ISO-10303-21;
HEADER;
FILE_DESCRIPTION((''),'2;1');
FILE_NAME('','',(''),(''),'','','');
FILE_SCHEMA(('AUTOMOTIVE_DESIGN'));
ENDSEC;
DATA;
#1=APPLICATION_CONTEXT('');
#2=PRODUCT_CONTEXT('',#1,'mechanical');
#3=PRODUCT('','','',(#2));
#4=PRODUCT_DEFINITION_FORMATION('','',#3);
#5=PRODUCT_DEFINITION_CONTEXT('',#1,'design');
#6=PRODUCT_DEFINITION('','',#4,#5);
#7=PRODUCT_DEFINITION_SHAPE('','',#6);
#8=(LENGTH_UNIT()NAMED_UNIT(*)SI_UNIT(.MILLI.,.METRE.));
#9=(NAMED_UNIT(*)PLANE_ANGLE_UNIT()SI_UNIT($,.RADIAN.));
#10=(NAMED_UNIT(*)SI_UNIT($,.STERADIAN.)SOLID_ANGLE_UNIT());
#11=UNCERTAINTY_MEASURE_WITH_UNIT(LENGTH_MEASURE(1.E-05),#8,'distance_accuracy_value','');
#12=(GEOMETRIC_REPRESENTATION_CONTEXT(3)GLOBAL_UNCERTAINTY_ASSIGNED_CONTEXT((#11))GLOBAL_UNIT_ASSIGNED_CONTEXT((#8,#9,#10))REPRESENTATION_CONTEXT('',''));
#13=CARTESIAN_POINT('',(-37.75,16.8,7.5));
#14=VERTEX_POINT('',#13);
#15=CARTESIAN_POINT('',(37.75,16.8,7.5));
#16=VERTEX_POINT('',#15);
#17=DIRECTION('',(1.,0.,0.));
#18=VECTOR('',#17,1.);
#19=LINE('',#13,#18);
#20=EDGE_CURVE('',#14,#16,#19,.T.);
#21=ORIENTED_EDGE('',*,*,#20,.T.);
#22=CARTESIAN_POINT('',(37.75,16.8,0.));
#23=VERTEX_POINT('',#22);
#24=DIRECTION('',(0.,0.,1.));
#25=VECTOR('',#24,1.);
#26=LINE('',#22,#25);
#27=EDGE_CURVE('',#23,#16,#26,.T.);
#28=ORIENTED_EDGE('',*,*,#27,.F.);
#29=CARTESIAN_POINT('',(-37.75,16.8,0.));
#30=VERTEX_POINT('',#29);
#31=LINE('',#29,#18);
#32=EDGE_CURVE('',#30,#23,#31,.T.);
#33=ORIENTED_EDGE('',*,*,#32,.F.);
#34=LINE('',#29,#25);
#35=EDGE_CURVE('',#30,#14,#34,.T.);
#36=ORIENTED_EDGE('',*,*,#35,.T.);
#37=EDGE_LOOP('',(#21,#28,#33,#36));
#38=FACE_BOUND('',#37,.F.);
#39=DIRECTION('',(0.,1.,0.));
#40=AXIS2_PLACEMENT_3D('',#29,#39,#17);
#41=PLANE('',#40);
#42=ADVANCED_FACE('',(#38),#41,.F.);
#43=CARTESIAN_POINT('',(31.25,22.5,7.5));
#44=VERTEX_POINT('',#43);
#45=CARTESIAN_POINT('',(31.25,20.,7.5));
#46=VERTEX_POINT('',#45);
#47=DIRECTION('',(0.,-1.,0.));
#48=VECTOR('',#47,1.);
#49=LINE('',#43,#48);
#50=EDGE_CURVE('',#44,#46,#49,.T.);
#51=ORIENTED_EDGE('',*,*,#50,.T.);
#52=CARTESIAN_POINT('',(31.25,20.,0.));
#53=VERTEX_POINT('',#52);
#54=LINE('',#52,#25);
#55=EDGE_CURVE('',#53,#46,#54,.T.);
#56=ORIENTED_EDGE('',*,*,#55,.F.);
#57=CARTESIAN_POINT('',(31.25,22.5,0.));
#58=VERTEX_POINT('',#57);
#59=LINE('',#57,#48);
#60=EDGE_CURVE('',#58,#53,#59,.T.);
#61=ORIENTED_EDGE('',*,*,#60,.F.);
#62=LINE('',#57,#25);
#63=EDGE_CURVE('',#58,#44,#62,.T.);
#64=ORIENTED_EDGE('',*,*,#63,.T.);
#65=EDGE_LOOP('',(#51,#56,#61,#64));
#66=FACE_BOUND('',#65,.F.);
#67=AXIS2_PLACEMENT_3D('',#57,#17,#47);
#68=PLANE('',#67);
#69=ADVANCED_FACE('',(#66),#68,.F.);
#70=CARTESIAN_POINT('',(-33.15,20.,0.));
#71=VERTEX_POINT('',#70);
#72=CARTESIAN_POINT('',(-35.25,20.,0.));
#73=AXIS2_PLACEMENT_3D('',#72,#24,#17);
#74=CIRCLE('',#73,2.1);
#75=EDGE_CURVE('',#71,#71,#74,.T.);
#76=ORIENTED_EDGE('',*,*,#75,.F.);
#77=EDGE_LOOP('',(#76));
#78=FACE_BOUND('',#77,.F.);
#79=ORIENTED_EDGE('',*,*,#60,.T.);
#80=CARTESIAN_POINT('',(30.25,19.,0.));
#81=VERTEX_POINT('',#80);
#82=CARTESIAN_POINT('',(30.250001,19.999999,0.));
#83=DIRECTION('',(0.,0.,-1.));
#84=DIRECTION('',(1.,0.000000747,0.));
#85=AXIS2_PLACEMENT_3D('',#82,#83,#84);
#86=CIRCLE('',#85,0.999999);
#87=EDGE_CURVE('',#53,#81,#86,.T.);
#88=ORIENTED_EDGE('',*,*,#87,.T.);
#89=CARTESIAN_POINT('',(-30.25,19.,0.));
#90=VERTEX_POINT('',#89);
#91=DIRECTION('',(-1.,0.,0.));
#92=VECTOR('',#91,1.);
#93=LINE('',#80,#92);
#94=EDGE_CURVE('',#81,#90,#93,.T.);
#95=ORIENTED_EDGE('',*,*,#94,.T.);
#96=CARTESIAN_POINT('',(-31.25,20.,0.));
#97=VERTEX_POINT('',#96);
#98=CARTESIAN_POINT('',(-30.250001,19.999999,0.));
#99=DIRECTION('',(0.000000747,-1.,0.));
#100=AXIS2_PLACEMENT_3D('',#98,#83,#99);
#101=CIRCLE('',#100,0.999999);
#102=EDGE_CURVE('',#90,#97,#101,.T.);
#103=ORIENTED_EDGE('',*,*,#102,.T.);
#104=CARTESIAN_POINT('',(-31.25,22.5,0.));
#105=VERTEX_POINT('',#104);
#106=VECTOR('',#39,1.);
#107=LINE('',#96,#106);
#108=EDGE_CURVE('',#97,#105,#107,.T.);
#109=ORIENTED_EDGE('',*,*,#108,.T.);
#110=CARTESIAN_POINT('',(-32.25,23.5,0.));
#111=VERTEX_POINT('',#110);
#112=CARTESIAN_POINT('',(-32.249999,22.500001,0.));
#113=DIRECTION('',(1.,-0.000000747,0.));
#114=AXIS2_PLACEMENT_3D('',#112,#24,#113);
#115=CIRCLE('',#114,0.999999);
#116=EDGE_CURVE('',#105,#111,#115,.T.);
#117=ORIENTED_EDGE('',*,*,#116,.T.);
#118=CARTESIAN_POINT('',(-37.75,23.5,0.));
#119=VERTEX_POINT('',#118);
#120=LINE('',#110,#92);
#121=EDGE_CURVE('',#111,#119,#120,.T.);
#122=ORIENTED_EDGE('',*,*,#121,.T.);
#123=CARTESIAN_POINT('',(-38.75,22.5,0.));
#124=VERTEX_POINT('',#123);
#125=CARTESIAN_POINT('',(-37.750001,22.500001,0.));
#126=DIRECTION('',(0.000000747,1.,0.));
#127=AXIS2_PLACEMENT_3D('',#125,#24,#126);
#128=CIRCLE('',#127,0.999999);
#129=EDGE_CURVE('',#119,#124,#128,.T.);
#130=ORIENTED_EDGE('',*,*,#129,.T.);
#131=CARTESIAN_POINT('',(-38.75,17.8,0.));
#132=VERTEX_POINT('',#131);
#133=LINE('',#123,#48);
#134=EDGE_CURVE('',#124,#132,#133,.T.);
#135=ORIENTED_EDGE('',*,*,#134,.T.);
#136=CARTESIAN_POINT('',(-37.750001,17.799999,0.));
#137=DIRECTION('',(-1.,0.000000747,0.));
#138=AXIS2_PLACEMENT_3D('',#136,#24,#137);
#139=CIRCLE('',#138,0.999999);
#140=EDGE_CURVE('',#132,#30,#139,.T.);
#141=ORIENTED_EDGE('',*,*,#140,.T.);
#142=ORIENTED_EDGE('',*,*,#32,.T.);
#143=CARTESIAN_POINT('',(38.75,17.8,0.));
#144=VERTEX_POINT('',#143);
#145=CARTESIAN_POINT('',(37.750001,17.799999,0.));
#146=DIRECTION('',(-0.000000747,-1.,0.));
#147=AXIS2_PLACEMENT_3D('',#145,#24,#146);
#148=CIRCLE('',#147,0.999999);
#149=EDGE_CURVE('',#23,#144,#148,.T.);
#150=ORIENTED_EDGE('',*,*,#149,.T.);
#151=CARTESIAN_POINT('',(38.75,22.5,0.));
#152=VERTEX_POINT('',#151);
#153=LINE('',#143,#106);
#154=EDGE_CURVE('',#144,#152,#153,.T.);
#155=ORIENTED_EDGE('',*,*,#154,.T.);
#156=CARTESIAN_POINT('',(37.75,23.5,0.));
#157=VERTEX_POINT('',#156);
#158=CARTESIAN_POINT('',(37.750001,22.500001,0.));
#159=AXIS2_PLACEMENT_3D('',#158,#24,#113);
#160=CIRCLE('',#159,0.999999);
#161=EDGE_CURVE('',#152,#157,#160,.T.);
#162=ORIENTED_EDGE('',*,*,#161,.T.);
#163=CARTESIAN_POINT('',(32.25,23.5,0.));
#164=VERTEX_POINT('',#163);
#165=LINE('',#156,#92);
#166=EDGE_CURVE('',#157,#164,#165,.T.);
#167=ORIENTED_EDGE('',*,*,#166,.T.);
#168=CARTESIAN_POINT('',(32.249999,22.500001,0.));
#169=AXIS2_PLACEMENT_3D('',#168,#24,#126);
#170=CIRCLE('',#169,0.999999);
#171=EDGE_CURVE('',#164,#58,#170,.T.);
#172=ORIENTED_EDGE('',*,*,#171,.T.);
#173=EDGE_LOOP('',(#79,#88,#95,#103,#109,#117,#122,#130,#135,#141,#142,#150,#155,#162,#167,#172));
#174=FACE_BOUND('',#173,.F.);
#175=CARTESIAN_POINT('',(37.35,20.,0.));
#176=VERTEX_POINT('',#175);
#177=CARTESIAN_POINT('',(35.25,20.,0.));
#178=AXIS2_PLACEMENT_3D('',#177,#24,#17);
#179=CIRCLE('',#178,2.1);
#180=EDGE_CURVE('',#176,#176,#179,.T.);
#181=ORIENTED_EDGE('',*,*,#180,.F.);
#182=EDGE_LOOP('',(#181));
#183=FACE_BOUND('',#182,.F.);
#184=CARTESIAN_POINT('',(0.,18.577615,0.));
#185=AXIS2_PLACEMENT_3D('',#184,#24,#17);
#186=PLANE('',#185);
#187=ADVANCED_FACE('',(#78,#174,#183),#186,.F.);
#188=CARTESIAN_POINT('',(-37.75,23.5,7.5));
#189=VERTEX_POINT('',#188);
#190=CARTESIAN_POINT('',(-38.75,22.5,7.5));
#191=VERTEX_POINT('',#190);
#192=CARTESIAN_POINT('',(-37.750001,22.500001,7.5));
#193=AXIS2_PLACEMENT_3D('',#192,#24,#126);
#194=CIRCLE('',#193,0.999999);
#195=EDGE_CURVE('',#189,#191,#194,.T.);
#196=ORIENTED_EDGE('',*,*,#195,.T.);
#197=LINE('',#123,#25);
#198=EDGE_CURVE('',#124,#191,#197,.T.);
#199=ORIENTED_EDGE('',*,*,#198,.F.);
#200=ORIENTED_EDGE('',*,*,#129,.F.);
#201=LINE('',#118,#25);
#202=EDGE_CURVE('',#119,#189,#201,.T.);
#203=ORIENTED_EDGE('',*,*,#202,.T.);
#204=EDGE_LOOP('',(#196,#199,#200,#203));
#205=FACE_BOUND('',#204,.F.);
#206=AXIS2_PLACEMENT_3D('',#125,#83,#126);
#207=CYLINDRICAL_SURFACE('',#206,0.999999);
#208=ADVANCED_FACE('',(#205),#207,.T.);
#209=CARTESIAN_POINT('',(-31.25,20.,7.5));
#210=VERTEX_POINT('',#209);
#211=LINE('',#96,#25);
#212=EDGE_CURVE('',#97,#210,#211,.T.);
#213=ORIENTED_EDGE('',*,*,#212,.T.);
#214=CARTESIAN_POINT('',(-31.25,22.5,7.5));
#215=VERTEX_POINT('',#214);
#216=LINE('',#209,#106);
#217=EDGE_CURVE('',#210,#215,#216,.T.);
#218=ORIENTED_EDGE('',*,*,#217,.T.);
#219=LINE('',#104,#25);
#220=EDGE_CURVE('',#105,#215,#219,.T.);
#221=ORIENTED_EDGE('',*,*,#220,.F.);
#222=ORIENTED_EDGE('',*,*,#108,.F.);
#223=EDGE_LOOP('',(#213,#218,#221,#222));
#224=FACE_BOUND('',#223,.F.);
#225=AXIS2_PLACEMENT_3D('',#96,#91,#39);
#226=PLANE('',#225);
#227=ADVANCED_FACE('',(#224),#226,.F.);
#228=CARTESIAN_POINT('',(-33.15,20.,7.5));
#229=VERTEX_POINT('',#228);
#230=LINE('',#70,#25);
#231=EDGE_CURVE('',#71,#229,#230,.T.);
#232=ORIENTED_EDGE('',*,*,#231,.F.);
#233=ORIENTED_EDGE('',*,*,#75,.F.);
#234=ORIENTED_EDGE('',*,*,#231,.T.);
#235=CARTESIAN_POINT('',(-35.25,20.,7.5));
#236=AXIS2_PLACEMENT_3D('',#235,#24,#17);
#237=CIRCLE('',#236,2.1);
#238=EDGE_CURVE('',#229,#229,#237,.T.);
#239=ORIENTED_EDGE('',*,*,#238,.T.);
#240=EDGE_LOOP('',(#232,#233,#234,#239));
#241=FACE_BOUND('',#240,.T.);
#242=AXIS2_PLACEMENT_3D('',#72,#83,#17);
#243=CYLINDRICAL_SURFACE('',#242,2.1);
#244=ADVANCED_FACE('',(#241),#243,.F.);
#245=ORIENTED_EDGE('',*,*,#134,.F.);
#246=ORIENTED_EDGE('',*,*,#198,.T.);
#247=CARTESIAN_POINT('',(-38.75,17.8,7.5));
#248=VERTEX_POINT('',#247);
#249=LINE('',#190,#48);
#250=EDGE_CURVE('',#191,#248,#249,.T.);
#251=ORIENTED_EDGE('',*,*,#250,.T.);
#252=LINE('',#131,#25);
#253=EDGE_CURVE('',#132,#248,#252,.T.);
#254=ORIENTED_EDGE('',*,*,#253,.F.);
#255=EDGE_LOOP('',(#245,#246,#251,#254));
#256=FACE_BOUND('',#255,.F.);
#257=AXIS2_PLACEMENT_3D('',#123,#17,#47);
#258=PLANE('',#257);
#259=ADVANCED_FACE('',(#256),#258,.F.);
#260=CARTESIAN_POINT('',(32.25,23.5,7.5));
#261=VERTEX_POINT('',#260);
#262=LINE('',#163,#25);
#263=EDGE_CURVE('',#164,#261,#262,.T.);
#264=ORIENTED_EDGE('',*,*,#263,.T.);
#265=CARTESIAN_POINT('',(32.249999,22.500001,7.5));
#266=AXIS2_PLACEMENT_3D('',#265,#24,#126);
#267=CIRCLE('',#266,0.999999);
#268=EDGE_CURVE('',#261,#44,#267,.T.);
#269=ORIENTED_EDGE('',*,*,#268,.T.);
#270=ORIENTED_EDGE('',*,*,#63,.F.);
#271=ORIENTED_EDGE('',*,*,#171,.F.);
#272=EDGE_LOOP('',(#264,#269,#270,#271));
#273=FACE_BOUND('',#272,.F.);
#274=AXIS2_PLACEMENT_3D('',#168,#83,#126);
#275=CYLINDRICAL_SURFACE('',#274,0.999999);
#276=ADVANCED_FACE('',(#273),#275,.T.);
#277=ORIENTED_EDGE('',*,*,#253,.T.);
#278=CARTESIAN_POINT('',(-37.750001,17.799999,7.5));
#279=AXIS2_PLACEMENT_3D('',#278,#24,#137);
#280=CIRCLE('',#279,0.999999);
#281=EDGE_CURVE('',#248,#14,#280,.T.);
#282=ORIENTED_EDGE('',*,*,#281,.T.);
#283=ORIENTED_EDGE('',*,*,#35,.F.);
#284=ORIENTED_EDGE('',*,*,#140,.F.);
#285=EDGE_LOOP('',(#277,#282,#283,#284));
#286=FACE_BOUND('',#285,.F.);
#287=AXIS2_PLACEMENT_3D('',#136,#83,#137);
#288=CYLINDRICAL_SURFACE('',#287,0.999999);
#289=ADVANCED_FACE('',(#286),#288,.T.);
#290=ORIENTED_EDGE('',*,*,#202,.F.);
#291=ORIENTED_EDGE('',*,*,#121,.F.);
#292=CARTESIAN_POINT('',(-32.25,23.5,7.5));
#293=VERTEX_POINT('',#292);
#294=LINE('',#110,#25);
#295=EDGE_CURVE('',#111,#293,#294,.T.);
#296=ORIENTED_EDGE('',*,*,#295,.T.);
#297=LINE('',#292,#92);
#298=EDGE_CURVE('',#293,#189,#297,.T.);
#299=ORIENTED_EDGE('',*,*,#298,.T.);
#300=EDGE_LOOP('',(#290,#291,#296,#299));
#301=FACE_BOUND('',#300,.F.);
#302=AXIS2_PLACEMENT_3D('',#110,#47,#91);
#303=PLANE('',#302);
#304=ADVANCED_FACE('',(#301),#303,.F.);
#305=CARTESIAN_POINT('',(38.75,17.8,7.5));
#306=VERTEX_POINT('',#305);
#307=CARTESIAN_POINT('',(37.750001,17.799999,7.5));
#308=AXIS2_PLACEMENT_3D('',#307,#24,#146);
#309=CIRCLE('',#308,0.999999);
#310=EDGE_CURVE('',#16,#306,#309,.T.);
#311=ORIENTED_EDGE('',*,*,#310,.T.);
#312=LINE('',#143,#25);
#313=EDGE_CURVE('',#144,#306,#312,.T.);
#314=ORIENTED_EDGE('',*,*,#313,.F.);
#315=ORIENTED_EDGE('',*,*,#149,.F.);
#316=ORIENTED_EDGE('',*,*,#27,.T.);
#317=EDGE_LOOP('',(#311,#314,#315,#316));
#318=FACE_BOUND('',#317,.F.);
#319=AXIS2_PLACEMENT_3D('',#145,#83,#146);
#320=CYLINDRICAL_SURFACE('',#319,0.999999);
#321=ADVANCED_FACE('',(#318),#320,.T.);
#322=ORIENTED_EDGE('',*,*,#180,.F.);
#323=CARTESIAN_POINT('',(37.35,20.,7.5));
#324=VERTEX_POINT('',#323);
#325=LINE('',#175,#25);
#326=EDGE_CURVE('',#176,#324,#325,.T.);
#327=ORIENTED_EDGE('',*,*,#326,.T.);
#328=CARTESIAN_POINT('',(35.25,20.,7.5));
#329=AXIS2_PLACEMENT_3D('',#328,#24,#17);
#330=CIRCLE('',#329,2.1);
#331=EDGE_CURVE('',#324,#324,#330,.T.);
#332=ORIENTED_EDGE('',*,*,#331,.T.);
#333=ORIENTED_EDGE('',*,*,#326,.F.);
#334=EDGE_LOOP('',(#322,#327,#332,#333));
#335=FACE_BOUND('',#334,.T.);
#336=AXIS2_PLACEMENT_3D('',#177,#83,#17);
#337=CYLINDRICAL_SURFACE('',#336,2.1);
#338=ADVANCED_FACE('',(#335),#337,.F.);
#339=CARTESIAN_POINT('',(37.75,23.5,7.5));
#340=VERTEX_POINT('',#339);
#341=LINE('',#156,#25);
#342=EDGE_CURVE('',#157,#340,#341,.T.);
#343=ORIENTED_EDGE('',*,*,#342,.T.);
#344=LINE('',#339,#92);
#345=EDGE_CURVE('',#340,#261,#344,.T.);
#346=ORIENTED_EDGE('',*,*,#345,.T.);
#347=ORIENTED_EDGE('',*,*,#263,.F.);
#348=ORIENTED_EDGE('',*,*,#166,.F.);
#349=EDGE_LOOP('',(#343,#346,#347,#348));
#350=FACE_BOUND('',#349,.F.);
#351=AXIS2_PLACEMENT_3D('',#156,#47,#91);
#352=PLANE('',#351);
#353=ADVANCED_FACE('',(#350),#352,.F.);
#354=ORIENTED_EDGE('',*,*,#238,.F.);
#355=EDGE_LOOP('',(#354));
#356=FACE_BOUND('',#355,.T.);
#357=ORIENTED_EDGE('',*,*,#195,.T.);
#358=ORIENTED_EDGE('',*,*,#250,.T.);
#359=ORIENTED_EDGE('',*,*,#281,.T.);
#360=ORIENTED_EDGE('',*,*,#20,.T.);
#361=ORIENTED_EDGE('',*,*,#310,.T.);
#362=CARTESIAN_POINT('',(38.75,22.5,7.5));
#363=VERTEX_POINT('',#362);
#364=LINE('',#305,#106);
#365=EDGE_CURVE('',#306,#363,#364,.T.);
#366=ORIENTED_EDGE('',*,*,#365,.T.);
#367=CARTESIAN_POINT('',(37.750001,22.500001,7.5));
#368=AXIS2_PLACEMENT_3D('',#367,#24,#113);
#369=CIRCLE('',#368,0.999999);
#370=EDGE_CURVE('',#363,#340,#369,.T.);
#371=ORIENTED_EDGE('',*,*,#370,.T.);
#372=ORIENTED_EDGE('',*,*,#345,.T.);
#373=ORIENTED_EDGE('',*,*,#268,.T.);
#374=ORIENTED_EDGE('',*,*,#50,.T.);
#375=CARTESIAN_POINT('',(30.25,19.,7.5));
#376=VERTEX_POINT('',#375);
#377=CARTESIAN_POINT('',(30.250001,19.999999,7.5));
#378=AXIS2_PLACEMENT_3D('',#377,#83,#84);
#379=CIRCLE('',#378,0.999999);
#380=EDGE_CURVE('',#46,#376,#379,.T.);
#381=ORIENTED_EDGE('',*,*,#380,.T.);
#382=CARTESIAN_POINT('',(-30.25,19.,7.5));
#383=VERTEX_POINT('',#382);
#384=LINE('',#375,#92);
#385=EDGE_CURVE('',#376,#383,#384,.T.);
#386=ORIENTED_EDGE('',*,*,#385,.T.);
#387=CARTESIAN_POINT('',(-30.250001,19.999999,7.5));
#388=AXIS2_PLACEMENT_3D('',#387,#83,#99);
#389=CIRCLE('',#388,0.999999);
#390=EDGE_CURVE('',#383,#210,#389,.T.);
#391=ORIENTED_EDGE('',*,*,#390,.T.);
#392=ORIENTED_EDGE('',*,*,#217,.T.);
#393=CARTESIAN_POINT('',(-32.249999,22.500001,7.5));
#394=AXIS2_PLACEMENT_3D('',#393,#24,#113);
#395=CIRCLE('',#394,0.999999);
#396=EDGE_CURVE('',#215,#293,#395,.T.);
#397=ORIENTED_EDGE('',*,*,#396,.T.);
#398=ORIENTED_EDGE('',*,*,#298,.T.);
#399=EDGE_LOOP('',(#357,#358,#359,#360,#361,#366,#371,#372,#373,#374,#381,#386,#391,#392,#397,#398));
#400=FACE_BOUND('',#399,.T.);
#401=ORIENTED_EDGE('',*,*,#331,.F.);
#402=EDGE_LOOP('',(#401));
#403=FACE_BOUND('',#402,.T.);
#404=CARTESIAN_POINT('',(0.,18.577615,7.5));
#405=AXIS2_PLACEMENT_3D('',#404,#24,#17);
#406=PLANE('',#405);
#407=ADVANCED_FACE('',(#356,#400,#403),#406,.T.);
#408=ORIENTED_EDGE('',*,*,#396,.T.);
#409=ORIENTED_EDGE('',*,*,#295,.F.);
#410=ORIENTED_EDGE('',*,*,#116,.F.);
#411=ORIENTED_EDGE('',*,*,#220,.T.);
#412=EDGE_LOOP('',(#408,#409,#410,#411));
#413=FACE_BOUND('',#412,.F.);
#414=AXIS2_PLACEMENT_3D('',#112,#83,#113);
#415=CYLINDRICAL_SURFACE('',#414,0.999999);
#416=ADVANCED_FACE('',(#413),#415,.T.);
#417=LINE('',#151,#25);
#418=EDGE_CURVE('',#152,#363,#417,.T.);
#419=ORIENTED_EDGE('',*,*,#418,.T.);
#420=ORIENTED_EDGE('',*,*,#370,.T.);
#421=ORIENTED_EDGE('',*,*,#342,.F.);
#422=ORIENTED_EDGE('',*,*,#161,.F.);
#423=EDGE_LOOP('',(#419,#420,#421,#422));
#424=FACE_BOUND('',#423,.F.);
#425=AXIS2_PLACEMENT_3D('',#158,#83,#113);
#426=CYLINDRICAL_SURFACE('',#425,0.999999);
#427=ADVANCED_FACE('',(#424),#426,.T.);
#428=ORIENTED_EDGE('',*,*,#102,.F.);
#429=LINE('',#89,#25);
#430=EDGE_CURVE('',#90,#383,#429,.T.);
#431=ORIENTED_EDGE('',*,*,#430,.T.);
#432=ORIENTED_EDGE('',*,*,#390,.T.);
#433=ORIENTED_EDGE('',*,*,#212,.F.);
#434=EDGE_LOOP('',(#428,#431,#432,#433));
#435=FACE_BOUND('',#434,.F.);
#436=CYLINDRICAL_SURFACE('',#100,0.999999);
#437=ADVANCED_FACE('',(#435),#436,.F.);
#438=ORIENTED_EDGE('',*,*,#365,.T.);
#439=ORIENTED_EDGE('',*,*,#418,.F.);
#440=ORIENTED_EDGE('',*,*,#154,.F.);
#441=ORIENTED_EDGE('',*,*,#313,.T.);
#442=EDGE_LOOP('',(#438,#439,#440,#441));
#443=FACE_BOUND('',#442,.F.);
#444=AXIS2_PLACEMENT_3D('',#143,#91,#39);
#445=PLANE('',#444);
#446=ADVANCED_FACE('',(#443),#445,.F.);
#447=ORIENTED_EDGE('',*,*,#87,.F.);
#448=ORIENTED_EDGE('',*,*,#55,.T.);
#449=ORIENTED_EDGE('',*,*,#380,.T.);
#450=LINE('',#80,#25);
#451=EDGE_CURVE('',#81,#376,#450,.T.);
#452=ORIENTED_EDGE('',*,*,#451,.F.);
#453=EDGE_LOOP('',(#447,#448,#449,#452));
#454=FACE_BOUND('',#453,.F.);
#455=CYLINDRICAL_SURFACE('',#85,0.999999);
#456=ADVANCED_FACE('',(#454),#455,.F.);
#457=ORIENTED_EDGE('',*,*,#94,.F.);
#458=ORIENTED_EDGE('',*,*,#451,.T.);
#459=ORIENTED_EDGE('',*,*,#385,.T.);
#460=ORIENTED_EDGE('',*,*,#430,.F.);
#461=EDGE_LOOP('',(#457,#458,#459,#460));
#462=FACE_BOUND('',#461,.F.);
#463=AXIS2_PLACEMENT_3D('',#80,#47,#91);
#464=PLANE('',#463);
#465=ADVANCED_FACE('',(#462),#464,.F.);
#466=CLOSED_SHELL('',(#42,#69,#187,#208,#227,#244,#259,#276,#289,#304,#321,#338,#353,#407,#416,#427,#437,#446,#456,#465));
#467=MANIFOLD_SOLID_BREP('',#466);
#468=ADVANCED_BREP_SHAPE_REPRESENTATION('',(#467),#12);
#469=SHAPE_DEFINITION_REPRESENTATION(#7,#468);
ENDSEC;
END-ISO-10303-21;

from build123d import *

# Parameters (mm, degrees)
F0_R     = 2.1
F1_DEPTH = 7.5


with BuildPart() as f1:
    # F0 (on Top) → F1 (new body)
    with BuildSketch(Plane.XY):
        with BuildLine():
            Line((-32.25, 23.5), (-37.75, 23.5))
            ThreePointArc((-37.75, 23.5), (-38.457107, 23.207107), (-38.75, 22.5))
            Line((-38.75, 22.5), (-38.75, 17.8))
            ThreePointArc((-38.75, 17.8), (-38.457107, 17.092893), (-37.75, 16.8))
            Line((-37.75, 16.8), (0, 16.8))
            Line((0, 16.8), (37.75, 16.8))
            ThreePointArc((37.75, 16.8), (38.457107, 17.092893), (38.75, 17.8))
            Line((38.75, 17.8), (38.75, 22.5))
            ThreePointArc((38.75, 22.5), (38.457107, 23.207107), (37.75, 23.5))
            Line((37.75, 23.5), (32.25, 23.5))
            ThreePointArc((32.25, 23.5), (31.542893, 23.207107), (31.25, 22.5))
            Line((31.25, 22.5), (31.25, 20))
            ThreePointArc((31.25, 20), (30.957107, 19.292893), (30.25, 19))
            Line((30.25, 19), (0, 19))
            Line((0, 19), (-30.25, 19))
            ThreePointArc((-30.25, 19), (-30.957107, 19.292893), (-31.25, 20))
            Line((-31.25, 20), (-31.25, 22.5))
            ThreePointArc((-31.25, 22.5), (-31.542893, 23.207107), (-32.25, 23.5))
        make_face()
        with Locations((-35.25, 20)):
            Circle(F0_R, mode=Mode.SUBTRACT)
        with Locations((35.25, 20)):
            Circle(F0_R, mode=Mode.SUBTRACT)
    extrude(amount=F1_DEPTH)


solid = f1.part
